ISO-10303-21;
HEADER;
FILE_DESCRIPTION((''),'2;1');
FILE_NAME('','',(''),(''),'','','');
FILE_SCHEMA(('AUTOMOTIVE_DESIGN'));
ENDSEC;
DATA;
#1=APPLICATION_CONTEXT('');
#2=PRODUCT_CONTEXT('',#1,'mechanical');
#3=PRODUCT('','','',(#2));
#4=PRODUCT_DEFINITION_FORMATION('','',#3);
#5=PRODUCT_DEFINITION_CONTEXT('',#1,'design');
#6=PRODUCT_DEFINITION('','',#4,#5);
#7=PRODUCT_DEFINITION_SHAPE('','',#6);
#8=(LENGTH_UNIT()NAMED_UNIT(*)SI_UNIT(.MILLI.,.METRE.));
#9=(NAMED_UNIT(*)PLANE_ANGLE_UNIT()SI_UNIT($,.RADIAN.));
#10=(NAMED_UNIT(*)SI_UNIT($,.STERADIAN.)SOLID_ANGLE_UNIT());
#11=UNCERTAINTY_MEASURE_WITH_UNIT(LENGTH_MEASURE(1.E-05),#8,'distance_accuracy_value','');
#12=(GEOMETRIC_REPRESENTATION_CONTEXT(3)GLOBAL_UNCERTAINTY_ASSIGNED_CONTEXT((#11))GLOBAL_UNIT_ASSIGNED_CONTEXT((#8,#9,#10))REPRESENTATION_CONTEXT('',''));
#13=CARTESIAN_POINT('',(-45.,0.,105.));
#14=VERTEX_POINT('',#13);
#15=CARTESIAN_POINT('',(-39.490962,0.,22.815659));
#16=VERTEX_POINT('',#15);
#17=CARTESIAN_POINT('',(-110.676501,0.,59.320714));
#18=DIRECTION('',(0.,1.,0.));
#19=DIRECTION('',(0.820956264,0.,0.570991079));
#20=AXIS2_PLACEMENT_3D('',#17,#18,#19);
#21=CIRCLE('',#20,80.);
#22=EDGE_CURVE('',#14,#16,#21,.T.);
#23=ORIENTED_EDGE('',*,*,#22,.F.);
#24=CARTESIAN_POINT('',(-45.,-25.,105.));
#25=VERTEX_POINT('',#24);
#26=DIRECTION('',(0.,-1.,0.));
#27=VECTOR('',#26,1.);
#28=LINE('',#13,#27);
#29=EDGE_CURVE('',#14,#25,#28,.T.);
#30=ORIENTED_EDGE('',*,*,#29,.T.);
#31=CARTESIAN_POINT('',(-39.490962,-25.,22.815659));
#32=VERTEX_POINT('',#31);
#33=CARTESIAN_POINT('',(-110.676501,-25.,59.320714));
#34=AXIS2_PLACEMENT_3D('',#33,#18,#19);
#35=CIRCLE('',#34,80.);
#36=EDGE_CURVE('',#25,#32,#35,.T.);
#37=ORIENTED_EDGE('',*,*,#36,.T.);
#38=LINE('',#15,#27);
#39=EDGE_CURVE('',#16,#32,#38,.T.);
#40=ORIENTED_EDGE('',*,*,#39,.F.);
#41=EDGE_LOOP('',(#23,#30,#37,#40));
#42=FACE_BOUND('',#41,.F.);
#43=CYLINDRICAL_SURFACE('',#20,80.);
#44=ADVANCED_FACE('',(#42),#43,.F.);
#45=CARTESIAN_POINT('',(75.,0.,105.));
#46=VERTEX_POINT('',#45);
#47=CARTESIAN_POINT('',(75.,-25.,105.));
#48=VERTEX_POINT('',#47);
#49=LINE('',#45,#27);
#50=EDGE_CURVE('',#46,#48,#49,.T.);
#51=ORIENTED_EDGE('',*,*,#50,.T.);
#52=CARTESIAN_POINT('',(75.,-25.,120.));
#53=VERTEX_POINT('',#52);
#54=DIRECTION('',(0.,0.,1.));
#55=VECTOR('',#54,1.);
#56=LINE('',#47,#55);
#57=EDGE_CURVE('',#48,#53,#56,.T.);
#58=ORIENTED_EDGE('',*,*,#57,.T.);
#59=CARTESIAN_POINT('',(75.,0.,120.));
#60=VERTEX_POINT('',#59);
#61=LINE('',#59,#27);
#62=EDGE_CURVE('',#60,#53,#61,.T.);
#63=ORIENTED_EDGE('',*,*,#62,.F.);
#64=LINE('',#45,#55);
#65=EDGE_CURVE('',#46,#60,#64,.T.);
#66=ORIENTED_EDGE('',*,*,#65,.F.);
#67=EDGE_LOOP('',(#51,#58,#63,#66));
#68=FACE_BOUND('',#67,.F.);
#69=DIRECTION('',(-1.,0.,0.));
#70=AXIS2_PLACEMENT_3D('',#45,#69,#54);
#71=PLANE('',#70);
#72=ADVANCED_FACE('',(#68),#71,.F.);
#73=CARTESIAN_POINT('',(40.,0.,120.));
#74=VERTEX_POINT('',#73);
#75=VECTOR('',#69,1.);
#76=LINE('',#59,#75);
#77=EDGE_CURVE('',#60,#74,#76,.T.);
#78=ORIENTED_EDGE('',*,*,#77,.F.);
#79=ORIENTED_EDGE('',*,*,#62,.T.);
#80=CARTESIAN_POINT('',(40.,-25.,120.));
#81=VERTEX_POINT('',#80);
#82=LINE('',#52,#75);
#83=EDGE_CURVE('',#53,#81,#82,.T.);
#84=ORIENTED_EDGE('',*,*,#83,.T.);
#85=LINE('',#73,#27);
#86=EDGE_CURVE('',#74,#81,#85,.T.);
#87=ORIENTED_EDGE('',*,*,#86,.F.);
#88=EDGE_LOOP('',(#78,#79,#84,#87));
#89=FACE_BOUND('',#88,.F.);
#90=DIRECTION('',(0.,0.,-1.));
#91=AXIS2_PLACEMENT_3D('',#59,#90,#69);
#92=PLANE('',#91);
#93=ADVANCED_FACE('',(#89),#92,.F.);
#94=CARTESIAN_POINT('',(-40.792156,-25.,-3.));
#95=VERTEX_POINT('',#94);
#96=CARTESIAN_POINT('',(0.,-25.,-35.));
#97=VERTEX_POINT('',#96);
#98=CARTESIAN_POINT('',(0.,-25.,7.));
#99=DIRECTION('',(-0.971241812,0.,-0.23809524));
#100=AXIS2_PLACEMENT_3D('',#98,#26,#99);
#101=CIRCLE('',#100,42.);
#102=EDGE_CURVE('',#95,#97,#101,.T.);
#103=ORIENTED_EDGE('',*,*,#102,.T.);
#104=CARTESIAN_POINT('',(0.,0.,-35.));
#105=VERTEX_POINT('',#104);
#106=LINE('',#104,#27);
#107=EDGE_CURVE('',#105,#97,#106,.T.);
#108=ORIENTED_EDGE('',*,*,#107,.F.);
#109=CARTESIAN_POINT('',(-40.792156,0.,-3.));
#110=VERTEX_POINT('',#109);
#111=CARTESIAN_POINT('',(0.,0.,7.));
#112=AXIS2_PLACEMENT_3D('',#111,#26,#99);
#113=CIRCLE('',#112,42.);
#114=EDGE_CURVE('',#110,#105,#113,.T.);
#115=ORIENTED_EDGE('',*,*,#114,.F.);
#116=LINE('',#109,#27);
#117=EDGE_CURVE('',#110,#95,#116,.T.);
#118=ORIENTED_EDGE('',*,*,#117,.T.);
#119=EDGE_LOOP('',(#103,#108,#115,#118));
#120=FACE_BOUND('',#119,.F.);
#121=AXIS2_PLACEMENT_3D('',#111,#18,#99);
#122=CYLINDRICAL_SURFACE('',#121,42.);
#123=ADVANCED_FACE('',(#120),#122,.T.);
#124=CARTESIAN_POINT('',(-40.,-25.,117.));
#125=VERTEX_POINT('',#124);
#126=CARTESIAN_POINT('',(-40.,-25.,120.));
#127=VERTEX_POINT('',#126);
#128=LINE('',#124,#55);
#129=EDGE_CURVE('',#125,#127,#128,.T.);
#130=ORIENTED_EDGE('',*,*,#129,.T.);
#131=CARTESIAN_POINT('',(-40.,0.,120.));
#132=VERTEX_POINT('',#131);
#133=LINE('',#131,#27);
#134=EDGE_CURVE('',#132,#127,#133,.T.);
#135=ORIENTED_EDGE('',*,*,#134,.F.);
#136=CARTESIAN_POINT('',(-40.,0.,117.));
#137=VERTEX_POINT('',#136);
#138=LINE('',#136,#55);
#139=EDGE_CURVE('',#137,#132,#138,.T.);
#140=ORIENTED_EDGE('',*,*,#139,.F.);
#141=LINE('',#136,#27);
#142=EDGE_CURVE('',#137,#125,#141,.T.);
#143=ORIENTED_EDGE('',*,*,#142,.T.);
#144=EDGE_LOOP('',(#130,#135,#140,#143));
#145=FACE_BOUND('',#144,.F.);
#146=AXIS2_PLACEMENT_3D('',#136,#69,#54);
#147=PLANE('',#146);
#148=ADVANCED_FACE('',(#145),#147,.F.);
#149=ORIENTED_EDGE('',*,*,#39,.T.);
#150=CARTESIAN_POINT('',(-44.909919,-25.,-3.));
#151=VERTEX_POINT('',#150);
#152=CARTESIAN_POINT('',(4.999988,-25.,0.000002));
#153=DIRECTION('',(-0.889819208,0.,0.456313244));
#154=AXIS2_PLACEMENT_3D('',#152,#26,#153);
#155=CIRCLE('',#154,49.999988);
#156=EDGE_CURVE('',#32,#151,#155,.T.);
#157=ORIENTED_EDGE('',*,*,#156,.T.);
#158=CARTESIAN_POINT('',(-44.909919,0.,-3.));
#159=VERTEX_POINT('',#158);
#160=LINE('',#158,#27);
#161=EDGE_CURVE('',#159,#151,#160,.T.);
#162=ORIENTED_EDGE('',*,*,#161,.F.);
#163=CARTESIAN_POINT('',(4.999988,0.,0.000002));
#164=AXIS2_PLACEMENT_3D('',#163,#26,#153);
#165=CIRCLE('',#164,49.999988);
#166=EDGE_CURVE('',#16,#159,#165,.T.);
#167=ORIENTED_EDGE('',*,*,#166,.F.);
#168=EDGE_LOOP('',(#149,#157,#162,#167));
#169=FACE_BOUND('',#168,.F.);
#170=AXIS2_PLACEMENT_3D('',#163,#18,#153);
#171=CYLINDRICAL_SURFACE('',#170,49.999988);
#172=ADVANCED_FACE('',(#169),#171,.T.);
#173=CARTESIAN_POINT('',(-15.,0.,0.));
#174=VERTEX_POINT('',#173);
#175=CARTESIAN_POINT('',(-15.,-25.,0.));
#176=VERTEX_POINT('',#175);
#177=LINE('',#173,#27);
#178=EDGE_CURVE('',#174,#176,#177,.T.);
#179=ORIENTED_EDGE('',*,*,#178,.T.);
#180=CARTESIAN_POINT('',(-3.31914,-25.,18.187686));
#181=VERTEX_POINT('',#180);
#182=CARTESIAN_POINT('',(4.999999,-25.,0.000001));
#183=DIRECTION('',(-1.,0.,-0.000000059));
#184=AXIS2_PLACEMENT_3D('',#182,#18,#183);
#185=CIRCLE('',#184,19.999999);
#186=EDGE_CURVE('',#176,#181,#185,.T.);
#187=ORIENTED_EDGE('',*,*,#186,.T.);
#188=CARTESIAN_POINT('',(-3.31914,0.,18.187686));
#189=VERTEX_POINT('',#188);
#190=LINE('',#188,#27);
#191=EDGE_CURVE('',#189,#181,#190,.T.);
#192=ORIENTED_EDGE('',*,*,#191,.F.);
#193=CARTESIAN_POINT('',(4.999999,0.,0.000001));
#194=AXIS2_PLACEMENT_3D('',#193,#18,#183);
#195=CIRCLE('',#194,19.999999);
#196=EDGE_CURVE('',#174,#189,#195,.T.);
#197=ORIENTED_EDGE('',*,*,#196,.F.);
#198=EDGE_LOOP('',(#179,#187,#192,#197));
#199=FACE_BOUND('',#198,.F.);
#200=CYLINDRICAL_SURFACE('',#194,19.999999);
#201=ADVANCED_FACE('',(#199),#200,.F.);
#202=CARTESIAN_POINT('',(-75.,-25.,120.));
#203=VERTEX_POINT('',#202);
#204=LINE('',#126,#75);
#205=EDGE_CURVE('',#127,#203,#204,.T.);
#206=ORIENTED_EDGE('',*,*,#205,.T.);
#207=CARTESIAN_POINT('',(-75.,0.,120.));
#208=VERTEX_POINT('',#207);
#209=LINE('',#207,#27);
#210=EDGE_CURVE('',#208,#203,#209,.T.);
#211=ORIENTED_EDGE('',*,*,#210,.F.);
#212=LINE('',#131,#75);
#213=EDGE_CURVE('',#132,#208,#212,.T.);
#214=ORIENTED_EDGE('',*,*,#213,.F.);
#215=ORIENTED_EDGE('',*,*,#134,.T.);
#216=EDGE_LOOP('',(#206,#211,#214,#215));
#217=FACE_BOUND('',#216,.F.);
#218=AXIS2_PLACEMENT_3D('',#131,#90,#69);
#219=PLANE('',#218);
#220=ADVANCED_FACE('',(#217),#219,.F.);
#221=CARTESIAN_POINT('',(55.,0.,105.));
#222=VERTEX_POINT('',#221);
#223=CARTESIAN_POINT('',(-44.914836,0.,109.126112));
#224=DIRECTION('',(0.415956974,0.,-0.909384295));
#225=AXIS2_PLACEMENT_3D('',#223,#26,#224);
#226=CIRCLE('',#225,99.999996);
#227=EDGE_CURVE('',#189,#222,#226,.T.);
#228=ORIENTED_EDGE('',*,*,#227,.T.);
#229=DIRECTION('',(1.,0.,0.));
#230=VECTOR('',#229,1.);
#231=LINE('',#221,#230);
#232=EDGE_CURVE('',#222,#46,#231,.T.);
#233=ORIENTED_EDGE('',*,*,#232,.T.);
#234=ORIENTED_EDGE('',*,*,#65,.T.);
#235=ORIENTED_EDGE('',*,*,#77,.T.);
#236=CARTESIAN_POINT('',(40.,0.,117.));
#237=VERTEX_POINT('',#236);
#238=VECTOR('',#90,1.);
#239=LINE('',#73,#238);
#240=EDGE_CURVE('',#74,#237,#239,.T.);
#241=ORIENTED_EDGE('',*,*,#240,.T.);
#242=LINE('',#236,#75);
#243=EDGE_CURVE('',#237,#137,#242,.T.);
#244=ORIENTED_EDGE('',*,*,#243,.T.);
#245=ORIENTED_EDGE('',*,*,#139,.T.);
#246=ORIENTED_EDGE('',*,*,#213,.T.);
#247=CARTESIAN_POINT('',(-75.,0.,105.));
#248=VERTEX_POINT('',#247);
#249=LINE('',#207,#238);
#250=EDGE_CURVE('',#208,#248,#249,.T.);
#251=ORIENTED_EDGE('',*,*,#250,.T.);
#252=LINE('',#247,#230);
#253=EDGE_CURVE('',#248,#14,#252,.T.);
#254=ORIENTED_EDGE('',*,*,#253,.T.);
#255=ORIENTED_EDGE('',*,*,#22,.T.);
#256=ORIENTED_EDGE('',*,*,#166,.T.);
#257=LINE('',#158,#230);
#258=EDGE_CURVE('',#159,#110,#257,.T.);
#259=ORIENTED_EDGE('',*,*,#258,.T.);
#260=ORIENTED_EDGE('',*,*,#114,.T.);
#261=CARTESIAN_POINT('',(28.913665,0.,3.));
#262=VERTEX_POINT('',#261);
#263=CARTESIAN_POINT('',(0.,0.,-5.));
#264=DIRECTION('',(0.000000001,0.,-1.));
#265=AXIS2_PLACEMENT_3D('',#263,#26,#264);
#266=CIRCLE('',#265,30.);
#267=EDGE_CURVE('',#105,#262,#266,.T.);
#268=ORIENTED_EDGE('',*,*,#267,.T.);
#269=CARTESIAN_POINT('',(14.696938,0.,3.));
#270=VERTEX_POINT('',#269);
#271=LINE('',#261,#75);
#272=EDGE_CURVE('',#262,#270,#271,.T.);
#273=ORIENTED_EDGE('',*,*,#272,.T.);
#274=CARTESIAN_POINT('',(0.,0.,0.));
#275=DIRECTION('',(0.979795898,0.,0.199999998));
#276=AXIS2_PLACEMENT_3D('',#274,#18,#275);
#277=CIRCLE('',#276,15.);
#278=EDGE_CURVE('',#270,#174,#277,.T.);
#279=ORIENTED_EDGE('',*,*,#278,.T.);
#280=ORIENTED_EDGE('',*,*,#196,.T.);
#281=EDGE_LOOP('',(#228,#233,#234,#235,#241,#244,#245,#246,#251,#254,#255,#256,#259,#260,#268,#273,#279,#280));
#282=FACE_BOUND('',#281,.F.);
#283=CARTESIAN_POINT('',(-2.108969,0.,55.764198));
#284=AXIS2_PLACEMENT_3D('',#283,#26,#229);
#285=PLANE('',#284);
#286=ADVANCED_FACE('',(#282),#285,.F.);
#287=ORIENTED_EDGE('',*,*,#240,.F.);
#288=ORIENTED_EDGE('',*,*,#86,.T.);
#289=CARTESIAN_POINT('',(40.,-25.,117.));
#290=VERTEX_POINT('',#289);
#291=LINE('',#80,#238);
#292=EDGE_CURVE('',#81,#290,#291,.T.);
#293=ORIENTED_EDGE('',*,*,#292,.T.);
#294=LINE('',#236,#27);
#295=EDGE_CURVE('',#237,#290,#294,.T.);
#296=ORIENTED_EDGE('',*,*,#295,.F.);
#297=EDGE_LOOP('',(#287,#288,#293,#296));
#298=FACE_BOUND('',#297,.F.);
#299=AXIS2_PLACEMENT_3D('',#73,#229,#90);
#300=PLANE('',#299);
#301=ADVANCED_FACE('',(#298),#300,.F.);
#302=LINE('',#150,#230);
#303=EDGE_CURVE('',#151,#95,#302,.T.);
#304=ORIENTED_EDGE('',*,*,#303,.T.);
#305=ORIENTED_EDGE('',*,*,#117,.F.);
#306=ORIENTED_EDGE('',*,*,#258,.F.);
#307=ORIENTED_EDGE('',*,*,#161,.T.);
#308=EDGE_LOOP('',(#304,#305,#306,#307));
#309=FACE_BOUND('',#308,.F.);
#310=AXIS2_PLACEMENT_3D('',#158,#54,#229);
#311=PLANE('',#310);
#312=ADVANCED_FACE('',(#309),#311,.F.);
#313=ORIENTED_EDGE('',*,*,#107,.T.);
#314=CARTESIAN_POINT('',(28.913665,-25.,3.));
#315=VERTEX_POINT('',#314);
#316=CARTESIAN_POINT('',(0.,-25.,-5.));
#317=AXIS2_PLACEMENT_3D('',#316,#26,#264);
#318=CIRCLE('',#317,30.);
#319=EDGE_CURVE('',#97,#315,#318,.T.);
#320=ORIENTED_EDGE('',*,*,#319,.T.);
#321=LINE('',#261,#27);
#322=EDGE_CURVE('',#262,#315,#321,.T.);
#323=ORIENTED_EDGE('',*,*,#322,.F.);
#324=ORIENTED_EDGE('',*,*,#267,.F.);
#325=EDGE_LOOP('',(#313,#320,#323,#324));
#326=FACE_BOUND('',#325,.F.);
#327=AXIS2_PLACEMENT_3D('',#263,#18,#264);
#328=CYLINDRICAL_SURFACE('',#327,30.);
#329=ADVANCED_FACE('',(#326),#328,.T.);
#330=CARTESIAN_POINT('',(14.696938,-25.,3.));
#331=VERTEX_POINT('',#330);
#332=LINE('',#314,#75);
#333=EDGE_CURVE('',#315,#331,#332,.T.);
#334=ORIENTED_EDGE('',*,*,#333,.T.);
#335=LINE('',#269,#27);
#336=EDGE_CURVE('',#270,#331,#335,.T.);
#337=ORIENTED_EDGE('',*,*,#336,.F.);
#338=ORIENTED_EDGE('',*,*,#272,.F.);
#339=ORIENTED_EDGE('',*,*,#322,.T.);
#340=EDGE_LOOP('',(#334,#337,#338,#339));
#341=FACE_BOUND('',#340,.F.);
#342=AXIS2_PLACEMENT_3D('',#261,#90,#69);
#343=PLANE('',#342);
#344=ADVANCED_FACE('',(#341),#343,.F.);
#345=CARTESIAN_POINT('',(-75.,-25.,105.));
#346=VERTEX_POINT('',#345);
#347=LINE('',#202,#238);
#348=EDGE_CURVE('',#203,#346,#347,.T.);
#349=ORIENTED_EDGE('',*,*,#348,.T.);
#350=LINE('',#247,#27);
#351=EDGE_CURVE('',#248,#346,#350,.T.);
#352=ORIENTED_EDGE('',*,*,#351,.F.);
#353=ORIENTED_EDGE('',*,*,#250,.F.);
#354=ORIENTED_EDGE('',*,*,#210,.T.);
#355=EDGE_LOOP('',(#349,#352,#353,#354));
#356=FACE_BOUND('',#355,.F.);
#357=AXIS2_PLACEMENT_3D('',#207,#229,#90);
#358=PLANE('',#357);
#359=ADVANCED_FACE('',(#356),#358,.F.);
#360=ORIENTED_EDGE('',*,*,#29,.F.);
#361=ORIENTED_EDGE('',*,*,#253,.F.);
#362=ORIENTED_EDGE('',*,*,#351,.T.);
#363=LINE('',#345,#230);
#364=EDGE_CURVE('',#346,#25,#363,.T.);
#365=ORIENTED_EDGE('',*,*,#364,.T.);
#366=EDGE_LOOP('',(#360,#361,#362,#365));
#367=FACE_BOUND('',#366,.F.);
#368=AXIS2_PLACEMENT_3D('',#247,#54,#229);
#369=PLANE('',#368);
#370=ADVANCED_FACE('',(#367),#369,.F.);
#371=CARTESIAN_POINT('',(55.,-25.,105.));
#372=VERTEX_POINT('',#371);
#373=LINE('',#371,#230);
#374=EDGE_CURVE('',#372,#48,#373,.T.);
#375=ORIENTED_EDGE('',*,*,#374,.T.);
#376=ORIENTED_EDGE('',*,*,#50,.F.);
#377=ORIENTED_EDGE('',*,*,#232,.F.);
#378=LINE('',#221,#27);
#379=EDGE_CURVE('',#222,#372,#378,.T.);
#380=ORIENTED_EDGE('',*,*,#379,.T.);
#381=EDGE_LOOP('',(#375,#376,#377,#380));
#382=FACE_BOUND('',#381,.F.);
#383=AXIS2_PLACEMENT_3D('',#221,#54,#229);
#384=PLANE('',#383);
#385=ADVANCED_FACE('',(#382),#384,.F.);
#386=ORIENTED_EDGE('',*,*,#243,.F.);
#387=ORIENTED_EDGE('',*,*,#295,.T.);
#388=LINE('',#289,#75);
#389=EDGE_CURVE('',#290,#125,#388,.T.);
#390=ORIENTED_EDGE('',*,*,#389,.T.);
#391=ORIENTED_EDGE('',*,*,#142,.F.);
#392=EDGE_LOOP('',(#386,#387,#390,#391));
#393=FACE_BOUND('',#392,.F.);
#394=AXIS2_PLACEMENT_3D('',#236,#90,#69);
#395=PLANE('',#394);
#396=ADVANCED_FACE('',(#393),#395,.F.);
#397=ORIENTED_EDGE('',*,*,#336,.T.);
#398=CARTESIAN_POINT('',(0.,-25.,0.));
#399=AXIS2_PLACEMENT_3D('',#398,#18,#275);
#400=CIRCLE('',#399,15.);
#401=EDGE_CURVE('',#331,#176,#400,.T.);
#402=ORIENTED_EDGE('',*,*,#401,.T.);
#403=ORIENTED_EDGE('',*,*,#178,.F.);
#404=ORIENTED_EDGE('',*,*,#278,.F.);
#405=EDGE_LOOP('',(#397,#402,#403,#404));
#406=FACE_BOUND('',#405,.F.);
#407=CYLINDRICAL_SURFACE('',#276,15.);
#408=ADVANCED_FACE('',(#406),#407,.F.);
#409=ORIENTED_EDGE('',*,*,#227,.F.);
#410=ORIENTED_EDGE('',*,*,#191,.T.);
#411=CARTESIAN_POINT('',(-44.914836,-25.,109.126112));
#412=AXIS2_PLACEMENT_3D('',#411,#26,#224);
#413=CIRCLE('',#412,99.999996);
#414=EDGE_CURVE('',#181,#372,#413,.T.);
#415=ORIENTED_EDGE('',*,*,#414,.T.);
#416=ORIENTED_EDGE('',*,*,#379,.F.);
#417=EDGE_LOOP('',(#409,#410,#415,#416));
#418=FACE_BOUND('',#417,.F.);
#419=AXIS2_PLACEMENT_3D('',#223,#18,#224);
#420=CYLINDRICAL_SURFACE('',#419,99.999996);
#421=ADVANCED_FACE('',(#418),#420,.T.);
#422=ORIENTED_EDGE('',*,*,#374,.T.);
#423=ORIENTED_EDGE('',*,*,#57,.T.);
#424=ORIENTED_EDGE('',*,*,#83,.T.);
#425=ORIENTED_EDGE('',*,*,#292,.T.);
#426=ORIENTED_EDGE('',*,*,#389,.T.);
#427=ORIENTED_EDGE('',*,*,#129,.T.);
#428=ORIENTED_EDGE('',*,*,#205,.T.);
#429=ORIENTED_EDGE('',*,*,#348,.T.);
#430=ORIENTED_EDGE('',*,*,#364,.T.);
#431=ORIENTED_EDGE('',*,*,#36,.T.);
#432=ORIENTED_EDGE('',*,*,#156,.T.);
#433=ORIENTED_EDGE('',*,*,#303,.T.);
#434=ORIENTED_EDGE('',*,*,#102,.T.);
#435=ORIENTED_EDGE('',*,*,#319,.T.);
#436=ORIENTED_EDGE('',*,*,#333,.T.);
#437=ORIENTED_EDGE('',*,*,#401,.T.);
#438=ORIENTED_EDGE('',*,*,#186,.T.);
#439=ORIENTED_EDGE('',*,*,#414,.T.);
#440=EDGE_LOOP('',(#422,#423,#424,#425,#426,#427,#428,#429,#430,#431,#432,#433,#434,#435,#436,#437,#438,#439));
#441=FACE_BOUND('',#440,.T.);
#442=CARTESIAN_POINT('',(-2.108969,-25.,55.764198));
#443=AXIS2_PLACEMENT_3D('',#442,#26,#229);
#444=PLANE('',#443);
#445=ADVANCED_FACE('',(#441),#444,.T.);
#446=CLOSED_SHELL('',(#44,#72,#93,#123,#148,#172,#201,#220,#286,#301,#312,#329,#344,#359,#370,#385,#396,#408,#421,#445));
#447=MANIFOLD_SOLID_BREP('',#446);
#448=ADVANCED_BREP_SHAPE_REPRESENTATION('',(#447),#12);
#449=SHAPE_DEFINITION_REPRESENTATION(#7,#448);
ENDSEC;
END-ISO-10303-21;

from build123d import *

# Parameters (mm, degrees)
F1_DEPTH = 25


with BuildPart() as f1:
    # F0 (on Front) → F1 (new body)
    with BuildSketch(Plane.XZ):
        with BuildLine():
            ThreePointArc((-3.31914, 18.187686), (38.09361, 53.36235), (55, 105))
            Line((55, 105), (75, 105))
            Line((75, 105), (75, 120))
            Line((75, 120), (40, 120))
            Line((40, 120), (40, 117))
            Line((40, 117), (-40, 117))
            Line((-40, 117), (-40, 120))
            Line((-40, 120), (-75, 120))
            Line((-75, 120), (-75, 105))
            Line((-75, 105), (-45, 105))
            ThreePointArc((-45, 105), (-30.855633, 64.671322), (-39.490962, 22.815659))
            ThreePointArc((-39.490962, 22.815659), (-43.933564, 10.271629), (-44.909919, -3))
            Line((-44.909919, -3), (-40.792156, -3))
            ThreePointArc((-40.792156, -3), (-25.922963, -26.045423), (0, -35))
            ThreePointArc((0, -35), (23.874673, -23.165902), (28.913665, 3))
            Line((28.913665, 3), (14.696938, 3))
            ThreePointArc((14.696938, 3), (1.507634, -14.924042), (-15, 0))
            ThreePointArc((-15, 0), (-11.828292, 10.807803), (-3.31914, 18.187686))
        make_face()
    extrude(amount=F1_DEPTH)


solid = f1.part
